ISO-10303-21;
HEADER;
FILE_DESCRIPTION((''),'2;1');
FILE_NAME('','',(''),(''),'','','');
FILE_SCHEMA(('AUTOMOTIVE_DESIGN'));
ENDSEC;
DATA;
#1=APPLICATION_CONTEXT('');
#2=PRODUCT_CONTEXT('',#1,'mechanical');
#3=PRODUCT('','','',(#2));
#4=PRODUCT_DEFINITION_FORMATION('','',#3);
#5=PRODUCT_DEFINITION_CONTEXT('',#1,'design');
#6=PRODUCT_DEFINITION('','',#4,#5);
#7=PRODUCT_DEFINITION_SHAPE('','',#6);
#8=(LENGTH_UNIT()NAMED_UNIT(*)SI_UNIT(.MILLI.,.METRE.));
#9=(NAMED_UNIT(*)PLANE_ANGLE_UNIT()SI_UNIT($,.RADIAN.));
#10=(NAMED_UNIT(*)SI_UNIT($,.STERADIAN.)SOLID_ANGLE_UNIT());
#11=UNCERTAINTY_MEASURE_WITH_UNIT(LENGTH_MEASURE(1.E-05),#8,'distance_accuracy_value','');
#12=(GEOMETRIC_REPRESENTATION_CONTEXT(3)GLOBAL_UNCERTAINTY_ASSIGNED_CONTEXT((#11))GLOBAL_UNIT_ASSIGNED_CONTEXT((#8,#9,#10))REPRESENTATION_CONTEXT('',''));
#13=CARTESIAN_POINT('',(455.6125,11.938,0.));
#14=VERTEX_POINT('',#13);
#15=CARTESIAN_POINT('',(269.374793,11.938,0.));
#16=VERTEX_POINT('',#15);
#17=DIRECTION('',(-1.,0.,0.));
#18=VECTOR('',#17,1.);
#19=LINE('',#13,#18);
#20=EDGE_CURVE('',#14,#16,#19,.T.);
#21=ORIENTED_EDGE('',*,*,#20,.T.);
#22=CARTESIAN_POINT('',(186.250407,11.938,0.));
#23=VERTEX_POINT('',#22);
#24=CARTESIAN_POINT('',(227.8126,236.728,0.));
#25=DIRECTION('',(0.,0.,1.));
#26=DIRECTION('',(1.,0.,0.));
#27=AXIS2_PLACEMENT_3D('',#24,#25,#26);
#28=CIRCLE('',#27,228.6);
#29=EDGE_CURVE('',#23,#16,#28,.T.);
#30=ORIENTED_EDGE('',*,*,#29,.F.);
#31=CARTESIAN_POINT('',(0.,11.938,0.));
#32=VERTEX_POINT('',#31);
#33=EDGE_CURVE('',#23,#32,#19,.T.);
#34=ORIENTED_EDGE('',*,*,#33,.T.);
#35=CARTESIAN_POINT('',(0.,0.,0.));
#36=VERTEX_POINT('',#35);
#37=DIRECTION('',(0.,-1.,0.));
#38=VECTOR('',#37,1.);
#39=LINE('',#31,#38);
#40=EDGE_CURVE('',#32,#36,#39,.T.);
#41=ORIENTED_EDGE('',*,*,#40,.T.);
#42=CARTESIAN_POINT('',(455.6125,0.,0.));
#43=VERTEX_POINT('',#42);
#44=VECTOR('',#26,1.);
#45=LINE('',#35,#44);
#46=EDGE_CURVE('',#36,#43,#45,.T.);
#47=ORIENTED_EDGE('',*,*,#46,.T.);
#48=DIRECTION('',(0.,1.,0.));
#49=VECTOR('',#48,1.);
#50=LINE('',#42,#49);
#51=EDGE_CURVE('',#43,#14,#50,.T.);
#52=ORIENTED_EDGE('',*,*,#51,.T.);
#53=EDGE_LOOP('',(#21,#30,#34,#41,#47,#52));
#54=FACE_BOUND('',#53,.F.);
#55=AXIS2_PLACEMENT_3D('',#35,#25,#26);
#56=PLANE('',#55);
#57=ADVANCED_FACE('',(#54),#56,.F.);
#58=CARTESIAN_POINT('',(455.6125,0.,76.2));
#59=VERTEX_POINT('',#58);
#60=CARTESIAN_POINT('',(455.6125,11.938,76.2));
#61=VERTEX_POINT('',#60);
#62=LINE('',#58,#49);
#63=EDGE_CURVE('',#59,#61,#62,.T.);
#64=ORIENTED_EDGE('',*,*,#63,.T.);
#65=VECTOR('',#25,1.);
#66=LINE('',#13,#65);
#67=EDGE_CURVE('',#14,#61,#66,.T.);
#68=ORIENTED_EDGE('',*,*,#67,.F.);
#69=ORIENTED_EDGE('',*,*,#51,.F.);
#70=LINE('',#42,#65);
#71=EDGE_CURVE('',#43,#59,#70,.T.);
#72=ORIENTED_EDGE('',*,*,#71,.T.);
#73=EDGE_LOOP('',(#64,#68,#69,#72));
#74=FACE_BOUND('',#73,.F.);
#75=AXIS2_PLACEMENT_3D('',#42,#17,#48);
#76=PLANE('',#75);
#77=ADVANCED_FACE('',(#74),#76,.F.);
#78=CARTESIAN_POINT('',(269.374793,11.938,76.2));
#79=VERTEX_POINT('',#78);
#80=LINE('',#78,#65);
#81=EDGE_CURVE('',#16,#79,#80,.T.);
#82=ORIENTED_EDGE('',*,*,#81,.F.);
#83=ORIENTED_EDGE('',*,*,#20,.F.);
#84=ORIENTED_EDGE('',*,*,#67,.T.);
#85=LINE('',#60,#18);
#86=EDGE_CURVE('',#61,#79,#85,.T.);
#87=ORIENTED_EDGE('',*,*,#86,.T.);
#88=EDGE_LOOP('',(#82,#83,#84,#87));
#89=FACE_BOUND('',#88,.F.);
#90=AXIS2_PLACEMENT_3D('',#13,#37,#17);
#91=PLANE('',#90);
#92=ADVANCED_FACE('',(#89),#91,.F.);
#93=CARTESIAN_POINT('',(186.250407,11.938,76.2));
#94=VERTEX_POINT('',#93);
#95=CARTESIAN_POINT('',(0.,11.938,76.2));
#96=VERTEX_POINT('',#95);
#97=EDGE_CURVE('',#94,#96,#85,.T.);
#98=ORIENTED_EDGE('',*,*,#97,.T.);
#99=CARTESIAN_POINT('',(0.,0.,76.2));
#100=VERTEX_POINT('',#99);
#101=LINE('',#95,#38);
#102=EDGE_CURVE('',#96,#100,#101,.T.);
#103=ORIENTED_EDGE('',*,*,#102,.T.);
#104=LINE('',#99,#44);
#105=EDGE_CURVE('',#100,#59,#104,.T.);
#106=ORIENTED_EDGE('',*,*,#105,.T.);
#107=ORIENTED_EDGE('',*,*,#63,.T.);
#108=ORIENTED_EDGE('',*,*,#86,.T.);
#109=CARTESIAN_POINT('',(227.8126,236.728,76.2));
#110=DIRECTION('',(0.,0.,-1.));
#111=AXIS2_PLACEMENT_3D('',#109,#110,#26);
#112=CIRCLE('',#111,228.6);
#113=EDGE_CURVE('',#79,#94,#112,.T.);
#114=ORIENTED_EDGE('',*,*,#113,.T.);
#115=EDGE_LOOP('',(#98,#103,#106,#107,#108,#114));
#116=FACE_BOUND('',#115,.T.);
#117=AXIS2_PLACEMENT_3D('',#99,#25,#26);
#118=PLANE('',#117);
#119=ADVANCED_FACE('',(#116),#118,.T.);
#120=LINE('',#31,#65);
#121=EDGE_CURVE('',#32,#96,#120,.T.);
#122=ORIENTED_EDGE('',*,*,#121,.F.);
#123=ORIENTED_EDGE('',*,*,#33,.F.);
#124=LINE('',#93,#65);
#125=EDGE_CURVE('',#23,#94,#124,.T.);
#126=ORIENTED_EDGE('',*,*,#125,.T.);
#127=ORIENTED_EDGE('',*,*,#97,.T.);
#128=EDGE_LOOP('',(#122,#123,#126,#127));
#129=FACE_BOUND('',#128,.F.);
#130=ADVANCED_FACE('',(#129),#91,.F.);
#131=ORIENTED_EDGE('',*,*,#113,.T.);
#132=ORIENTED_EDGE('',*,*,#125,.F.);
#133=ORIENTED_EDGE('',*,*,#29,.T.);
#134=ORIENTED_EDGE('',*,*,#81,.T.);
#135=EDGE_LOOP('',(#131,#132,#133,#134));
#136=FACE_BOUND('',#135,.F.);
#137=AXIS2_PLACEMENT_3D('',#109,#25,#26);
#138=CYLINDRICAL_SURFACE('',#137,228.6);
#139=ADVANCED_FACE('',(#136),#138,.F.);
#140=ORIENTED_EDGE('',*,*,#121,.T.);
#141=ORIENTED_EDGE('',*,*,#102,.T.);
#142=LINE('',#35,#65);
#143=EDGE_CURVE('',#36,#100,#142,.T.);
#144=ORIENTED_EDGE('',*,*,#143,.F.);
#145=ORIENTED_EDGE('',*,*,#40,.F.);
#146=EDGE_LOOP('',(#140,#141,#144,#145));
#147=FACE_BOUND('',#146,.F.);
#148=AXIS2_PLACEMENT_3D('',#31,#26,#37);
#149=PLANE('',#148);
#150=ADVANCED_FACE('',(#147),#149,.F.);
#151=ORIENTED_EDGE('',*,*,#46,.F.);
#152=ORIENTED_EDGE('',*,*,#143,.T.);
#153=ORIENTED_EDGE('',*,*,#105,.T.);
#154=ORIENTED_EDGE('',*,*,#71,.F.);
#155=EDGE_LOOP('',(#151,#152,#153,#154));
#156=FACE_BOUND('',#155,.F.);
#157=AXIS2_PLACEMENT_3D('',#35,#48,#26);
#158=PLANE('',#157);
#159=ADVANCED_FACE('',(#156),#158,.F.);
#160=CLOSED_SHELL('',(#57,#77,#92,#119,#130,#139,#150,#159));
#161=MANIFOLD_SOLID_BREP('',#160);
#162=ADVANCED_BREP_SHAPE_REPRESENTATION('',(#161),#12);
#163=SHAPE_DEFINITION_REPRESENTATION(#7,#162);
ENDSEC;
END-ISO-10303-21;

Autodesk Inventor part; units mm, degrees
ref_plane "YZ Plane" through (0, 0, 0) normal (1, 0, 0) x (0, 1, 0)
ref_plane "XZ Plane" through (0, 0, 0) normal (0, 1, 0) x (-1, 0, 0)
ref_plane "XY Plane" through (0, 0, 0) normal (0, 0, 1) x (1, 0, 0)
sketch "Sketch1" plane through (0, 0, 0) normal (0, 0, 1) x (1, 0, 0)
  line L0 (0, 0) -> (455.6125, 0)
  line L1 (455.6125, 0) -> (455.6125, 11.938)
  line L2 (455.6125, 11.938) -> (0, 11.938)
  line L3 (0, 11.938) -> (0, 0)
  dimension "d0" = 455.6125
  dimension "d1" = 11.938
extrude "Extrusion1" add sketch "Sketch1" along normal blind 76.2
sketch "Sketch2" plane through (0, 0, 76.2) normal (0, 0, 1) x (1, 0, 0)
  circle A0 centre (227.8126, 236.728) radius 228.6
  line L0 (455.6125, 11.938) -> (0, 11.938) projected
  line L1 (0, 11.938) -> (0, 0) projected
  dimension "d6" = 227.8126
  dimension "d7" = 224.79
  dimension "d8" = 457.2
extrude "Extrusion2" cut sketch "Sketch2" against normal through all
properties part number "Exhaust Frame Upper+Lower as-built" material "Wood (Oak)"
